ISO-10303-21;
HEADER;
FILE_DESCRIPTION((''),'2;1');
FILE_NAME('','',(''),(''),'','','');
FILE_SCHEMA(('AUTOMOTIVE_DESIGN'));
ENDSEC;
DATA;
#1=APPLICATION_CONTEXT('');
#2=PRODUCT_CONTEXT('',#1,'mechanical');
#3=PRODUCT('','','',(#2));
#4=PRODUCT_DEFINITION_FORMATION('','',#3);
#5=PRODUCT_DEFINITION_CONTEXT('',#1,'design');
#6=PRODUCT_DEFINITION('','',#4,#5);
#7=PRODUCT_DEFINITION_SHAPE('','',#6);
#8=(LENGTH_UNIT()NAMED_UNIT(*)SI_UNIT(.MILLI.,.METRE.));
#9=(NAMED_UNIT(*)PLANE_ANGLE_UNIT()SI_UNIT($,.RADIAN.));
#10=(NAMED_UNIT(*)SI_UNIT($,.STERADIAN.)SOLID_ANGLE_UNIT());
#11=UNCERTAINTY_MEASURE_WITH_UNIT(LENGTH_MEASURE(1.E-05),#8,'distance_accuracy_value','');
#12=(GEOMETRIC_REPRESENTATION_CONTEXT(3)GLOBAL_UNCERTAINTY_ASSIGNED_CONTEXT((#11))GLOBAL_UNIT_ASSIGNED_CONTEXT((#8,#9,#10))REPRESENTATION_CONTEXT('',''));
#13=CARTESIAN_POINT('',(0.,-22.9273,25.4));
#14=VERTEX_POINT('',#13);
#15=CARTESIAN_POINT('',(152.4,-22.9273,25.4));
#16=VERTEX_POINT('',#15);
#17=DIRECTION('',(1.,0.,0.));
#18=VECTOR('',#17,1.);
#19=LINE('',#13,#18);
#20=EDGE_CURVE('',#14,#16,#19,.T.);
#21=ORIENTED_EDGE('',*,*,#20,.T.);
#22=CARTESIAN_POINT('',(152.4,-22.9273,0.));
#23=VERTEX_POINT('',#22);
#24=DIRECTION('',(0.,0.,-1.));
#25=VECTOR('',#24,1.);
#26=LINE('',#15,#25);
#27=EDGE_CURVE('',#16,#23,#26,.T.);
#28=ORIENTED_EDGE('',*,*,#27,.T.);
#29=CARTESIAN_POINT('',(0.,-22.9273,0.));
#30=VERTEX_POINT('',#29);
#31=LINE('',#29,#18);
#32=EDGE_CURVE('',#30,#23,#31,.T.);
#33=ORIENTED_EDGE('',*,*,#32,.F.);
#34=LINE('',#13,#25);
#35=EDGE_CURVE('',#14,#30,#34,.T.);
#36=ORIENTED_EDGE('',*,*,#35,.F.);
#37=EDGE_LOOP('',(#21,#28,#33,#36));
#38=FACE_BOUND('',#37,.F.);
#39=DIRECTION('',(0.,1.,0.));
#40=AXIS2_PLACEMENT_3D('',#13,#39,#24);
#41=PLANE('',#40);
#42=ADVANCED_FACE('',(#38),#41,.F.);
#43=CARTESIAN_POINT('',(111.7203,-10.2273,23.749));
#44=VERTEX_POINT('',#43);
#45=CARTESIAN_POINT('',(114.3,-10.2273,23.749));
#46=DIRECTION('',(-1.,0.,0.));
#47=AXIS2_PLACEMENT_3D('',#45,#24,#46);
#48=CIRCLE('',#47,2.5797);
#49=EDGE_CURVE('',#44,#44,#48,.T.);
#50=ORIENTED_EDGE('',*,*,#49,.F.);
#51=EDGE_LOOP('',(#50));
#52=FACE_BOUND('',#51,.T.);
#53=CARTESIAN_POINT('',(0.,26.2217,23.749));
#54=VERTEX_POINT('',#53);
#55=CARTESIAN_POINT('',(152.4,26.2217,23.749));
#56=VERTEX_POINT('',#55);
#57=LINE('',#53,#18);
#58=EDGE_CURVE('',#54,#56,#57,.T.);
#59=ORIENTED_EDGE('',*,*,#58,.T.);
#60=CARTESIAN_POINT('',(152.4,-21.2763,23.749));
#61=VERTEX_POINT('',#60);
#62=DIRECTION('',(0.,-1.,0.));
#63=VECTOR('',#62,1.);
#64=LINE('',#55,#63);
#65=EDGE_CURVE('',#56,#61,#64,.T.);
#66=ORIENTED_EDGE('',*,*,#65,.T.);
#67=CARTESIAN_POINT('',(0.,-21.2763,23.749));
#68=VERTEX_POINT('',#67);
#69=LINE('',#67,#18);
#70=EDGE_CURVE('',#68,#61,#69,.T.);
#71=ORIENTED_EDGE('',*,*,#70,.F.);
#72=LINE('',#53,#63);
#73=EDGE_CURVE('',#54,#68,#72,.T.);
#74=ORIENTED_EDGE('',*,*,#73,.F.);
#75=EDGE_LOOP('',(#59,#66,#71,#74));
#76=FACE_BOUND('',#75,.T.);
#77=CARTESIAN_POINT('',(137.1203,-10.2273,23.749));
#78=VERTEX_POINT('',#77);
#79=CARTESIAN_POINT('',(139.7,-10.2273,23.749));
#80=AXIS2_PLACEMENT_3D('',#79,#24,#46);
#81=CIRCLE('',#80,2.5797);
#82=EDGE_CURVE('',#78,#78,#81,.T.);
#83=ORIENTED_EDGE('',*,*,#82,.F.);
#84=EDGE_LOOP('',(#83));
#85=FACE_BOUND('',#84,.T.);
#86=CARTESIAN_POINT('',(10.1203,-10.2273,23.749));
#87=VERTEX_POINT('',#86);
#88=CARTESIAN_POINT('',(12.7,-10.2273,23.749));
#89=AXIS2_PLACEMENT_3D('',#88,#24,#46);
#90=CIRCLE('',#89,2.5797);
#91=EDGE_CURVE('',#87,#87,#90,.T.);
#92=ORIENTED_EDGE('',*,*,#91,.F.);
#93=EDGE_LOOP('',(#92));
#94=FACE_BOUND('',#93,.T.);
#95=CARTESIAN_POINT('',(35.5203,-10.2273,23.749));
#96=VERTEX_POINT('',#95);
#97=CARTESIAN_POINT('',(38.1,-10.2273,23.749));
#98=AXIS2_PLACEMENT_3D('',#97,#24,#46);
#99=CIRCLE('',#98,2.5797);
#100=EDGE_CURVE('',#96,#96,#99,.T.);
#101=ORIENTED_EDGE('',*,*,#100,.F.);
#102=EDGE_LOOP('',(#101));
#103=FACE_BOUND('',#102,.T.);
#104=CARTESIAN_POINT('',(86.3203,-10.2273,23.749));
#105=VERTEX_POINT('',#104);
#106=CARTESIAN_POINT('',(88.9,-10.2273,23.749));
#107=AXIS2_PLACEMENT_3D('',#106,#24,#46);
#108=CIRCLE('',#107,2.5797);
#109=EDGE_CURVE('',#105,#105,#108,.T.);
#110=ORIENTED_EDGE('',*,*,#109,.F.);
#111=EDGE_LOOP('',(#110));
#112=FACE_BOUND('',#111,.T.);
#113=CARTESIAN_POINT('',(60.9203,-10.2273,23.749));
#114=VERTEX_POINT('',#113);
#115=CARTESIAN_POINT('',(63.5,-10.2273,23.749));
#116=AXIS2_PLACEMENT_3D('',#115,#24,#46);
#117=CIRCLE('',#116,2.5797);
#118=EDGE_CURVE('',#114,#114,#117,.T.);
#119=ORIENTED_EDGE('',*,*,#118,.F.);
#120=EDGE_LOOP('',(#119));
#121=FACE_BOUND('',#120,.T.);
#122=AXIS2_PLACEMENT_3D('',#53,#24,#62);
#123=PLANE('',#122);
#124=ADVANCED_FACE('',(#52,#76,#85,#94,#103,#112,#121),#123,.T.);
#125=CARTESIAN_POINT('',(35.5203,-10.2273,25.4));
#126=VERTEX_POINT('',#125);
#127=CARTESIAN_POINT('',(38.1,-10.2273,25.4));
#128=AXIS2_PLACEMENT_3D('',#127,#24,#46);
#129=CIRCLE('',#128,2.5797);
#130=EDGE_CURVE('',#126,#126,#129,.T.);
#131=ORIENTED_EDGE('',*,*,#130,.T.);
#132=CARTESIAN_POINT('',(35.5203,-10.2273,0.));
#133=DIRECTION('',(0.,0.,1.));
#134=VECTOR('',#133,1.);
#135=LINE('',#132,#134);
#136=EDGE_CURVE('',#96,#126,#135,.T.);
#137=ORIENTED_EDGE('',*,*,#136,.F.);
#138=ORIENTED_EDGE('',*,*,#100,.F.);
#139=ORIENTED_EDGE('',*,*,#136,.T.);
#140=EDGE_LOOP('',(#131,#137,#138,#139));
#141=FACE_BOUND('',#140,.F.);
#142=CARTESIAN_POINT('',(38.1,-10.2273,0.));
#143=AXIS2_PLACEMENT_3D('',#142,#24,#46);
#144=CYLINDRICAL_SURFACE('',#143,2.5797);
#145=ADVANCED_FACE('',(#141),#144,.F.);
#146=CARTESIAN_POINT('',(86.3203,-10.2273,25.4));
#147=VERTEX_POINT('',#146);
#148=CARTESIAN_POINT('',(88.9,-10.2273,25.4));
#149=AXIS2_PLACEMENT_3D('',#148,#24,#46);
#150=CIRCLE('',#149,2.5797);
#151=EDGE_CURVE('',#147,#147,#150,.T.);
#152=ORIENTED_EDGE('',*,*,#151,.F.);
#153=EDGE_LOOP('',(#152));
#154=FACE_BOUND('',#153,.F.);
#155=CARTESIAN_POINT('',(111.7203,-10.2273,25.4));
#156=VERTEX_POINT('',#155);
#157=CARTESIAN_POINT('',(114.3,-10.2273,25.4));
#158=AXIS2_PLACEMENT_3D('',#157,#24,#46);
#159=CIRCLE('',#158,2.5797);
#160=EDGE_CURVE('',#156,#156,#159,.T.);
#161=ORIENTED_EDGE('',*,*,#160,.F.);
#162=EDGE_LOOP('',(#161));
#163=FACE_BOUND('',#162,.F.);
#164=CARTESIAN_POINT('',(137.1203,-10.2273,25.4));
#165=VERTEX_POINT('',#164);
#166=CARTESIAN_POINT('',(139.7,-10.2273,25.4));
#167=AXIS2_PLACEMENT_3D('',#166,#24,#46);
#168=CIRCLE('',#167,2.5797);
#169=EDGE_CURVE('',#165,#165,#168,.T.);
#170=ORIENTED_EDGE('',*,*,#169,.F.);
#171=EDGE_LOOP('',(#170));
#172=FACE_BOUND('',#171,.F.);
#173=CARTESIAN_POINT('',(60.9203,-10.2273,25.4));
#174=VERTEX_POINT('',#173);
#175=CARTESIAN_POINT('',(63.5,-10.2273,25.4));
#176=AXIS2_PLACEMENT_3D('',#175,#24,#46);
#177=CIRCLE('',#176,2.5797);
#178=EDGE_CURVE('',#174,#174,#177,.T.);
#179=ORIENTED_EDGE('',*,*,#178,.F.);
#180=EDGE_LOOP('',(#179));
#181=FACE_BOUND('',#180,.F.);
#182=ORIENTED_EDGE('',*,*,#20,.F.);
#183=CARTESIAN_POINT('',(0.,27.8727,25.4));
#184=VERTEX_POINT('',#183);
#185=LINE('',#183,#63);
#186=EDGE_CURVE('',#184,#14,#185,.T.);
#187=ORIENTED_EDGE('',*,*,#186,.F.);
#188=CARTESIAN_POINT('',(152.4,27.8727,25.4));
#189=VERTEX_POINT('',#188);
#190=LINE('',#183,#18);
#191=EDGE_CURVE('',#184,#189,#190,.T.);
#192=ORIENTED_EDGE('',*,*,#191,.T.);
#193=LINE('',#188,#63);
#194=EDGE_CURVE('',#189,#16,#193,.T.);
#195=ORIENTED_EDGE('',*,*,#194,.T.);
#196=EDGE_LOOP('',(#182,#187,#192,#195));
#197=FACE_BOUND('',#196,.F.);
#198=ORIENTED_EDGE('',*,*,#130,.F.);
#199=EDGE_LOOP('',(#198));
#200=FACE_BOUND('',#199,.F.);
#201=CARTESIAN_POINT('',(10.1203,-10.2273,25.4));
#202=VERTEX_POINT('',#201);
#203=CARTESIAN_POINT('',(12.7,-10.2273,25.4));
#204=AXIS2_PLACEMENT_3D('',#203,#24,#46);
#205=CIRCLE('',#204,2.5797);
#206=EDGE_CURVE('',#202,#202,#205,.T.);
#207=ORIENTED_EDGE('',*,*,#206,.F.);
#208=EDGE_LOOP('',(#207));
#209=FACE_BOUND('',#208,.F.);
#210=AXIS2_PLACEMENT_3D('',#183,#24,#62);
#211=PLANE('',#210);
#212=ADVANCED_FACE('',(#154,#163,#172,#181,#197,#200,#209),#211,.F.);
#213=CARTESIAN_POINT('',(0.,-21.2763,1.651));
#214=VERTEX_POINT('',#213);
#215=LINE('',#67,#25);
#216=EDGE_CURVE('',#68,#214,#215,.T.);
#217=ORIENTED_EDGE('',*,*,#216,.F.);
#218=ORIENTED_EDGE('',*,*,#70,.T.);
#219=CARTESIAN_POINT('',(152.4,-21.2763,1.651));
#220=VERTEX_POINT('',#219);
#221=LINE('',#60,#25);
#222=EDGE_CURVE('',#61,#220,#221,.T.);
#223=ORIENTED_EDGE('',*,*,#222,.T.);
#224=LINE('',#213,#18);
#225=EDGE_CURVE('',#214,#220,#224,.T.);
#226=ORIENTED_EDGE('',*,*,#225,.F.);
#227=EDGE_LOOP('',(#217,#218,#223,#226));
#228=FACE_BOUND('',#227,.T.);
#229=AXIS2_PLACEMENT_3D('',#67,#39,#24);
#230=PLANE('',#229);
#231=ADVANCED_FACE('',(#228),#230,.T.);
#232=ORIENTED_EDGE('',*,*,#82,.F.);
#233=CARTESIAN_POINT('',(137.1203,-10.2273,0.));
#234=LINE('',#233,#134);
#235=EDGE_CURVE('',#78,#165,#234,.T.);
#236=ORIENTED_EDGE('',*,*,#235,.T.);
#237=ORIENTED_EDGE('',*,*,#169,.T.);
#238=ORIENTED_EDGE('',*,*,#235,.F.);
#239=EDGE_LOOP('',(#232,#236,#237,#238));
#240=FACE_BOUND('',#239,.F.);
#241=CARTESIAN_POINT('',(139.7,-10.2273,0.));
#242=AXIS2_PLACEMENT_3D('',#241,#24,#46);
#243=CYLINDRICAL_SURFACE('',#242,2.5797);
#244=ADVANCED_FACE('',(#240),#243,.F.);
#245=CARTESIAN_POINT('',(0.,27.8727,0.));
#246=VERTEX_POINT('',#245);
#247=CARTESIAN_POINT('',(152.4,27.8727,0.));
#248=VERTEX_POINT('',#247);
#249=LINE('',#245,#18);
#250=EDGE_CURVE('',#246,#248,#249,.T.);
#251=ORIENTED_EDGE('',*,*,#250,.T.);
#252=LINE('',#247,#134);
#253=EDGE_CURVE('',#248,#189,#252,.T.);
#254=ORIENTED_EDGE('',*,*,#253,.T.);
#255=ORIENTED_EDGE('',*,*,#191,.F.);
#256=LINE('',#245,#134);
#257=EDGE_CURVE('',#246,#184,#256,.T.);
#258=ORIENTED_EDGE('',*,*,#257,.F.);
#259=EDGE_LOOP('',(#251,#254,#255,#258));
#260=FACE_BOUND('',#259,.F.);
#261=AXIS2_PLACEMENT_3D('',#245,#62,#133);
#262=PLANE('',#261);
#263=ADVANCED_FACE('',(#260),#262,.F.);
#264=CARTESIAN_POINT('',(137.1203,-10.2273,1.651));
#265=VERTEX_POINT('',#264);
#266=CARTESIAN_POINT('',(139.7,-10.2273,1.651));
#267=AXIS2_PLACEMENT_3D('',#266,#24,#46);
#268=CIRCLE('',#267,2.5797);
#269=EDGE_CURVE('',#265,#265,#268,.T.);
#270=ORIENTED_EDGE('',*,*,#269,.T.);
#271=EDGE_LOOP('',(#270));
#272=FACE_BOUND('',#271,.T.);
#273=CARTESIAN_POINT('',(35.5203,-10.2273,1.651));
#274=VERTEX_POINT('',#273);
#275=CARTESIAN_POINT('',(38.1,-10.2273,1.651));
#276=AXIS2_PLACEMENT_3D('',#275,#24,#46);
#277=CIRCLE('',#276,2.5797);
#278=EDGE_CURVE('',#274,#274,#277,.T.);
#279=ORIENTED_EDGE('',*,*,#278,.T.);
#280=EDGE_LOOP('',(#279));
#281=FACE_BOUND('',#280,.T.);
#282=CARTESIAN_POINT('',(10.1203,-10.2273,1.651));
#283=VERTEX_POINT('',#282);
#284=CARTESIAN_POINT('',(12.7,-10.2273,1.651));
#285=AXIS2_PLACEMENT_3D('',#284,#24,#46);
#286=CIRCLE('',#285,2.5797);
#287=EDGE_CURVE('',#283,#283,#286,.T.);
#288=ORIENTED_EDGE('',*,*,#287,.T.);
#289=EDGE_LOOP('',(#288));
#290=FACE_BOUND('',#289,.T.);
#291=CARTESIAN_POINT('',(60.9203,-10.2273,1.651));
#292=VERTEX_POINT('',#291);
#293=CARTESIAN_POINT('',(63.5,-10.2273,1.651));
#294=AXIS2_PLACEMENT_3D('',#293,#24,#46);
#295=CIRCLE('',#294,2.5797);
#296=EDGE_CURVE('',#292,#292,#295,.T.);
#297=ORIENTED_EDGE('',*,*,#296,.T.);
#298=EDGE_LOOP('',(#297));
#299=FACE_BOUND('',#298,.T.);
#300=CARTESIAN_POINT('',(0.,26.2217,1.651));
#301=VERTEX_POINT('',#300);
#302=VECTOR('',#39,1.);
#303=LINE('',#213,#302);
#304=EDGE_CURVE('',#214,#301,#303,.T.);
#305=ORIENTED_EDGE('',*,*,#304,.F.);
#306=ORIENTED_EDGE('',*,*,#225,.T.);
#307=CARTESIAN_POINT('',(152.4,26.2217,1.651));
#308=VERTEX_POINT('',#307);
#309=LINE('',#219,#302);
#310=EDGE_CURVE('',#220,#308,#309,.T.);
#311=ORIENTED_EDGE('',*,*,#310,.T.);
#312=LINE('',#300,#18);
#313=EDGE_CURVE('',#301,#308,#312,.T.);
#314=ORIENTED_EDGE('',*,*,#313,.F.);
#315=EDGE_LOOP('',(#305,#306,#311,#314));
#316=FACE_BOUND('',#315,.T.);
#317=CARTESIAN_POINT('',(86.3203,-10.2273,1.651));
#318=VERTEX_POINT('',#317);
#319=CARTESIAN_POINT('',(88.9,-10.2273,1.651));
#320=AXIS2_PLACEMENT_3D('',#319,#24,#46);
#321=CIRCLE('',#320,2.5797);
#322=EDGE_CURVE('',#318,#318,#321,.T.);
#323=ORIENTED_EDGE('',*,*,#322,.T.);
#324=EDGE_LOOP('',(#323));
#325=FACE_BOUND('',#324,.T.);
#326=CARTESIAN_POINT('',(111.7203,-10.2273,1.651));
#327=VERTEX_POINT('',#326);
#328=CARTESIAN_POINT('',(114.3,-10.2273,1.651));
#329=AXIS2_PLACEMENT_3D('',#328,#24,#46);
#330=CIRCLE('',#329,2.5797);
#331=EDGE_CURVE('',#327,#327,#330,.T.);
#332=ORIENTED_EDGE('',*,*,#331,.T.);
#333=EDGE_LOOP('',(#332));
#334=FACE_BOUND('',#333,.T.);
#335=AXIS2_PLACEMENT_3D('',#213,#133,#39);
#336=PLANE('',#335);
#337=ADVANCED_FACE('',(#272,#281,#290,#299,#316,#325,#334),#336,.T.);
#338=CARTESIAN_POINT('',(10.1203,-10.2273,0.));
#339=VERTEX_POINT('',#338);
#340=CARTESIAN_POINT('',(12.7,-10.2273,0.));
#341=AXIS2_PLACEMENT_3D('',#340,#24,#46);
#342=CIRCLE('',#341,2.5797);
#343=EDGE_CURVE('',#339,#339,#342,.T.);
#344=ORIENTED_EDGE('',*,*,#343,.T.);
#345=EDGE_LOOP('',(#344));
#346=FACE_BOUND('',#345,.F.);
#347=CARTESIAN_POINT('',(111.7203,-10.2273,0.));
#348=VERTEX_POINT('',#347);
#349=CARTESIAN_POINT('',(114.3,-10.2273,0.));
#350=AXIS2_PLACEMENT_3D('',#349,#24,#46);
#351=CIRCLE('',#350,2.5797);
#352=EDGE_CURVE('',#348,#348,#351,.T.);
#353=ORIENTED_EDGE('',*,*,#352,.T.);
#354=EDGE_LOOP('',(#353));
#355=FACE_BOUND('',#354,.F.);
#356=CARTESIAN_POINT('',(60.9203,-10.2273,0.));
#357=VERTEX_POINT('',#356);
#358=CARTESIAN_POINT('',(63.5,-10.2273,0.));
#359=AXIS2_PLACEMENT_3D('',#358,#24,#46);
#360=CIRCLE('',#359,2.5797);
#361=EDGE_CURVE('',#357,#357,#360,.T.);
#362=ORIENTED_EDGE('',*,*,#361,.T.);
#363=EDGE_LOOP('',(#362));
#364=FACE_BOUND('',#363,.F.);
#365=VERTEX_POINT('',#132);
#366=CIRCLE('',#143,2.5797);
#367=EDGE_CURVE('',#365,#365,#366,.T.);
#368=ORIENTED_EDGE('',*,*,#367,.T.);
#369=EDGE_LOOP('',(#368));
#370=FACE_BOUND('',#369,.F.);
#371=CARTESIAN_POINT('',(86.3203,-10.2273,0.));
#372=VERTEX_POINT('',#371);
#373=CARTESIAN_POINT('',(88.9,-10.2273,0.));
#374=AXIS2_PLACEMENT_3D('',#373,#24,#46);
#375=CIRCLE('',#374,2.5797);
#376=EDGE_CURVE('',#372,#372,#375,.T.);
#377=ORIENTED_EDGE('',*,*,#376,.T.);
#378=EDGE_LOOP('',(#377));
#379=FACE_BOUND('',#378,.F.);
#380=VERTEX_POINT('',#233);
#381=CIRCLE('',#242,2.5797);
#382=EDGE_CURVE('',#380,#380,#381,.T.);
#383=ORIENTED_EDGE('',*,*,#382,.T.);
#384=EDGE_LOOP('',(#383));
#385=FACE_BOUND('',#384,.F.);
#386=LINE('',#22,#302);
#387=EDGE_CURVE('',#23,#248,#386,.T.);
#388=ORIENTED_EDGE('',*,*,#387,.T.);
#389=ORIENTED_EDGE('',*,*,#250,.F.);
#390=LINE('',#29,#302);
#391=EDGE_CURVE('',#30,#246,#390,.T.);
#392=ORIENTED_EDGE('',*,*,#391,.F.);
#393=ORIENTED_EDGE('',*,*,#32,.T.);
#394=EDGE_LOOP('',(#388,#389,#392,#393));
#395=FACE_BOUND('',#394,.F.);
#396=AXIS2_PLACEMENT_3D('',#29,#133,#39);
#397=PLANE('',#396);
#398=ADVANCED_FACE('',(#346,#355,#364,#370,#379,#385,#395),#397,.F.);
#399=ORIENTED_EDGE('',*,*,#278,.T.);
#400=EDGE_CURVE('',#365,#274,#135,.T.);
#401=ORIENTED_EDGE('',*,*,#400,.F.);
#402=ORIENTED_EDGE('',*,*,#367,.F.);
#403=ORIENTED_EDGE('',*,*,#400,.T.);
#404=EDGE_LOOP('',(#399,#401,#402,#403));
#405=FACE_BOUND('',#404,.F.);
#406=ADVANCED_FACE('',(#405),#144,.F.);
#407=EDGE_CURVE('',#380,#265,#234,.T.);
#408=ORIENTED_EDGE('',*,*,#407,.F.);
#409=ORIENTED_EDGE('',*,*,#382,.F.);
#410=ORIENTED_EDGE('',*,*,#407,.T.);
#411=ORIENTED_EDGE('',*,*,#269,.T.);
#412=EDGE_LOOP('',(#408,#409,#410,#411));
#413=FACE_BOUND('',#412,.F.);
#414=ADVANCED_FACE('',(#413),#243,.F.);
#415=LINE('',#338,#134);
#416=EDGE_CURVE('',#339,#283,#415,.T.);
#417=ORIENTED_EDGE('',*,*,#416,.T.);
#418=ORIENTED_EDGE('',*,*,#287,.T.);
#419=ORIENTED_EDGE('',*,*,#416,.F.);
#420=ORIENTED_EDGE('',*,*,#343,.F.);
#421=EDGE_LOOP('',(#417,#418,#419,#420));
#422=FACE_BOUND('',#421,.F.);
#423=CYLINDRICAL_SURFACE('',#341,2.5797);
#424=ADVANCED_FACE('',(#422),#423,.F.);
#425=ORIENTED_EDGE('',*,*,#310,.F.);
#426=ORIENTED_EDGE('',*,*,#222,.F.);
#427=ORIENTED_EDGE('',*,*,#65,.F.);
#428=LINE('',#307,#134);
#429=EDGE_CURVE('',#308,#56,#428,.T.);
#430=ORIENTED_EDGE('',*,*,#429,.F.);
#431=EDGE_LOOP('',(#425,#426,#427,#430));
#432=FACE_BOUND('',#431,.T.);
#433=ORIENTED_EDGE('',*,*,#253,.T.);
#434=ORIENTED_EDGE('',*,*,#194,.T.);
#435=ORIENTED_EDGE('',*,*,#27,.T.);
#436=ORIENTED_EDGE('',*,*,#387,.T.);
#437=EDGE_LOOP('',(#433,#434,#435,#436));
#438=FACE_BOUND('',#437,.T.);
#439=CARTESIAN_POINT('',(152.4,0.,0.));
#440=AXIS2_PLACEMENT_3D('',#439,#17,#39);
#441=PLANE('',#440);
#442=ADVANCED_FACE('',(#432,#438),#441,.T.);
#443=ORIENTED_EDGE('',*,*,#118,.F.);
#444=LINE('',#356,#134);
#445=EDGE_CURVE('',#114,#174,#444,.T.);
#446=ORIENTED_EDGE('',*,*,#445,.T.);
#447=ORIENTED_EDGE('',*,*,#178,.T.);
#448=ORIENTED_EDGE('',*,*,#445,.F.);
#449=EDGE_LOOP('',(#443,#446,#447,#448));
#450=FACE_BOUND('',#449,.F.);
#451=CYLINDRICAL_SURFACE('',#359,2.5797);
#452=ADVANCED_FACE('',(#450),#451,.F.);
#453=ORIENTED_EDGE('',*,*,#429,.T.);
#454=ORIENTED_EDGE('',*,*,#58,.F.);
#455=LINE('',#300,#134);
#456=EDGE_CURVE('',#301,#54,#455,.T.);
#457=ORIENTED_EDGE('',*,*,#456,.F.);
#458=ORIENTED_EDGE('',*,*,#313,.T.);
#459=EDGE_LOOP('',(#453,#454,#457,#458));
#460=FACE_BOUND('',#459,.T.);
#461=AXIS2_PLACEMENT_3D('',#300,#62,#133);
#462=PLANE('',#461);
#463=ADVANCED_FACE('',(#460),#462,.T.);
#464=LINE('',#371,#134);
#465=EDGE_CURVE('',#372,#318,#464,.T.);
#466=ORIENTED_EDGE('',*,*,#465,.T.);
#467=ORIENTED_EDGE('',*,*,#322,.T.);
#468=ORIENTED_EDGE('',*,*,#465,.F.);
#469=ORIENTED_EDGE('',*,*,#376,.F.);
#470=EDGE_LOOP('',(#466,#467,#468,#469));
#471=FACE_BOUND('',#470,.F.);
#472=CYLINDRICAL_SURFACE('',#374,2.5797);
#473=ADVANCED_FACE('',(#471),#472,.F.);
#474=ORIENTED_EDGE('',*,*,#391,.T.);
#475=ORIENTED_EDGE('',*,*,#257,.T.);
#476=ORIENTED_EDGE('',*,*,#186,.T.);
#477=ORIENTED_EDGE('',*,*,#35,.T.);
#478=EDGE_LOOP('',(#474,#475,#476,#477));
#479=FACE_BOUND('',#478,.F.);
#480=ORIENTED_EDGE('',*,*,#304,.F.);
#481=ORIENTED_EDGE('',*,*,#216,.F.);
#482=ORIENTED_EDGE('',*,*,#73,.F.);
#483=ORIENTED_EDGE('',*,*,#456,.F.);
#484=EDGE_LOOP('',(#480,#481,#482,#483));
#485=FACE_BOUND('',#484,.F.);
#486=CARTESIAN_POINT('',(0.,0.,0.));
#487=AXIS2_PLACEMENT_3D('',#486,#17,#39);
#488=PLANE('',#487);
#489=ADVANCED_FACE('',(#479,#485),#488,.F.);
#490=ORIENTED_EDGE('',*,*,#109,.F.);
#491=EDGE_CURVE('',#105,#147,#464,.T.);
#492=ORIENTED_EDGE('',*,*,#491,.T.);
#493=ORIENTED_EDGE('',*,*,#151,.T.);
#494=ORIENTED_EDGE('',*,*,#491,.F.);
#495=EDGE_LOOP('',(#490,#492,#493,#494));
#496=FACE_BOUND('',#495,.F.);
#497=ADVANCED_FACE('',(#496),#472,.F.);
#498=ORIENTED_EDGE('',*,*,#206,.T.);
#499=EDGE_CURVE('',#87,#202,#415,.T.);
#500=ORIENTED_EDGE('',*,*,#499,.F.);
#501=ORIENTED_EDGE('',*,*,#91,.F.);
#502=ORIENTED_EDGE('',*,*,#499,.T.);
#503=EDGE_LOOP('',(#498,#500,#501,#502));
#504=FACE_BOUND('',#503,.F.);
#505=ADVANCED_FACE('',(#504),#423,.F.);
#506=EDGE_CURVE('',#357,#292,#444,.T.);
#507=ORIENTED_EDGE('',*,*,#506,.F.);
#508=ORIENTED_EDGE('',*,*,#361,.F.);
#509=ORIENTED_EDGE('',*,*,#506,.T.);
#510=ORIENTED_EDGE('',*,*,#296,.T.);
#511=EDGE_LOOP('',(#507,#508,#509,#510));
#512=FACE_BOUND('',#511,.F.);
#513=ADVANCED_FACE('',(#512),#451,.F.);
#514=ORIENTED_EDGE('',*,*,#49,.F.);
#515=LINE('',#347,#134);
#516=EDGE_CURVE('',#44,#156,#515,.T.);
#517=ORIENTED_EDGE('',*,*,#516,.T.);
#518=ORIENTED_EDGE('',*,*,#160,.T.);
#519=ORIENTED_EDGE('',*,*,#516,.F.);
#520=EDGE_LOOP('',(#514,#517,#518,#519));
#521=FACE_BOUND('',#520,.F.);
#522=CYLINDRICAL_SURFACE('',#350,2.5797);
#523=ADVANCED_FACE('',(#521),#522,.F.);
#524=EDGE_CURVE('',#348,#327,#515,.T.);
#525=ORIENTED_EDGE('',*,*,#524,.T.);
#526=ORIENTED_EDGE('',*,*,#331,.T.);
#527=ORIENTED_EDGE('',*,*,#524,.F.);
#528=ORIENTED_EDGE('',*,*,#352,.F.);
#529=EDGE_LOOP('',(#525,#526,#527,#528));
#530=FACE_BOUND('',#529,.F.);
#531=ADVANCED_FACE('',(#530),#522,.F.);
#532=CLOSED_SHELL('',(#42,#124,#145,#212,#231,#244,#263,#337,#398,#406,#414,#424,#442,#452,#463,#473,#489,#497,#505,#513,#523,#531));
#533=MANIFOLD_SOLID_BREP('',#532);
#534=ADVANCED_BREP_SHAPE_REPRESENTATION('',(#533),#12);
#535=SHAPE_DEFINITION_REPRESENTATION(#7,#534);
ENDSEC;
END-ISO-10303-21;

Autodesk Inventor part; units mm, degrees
ref_plane "YZ Plane" through (0, 0, 0) normal (1, 0, 0) x (0, 1, 0)
ref_plane "XZ Plane" through (0, 0, 0) normal (0, 1, 0) x (-1, 0, 0)
ref_plane "XY Plane" through (0, 0, 0) normal (0, 0, 1) x (1, 0, 0)
sketch "Sketch1" plane through (0, 0, 0) normal (1, 0, 0) x (0, 1, 0)
  line L0 (-22.9273, 0) -> (27.8727, 0)
  line L1 (27.8727, 0) -> (27.8727, 25.4)
  line L2 (27.8727, 25.4) -> (-22.9273, 25.4)
  line L3 (-22.9273, 25.4) -> (-22.9273, 0)
  line L4 (26.2217, 23.749) -> (-21.2763, 23.749)
  line L5 (-21.2763, 23.749) -> (-21.2763, 1.651)
  line L6 (-21.2763, 1.651) -> (26.2217, 1.651)
  line L7 (26.2217, 1.651) -> (26.2217, 23.749)
  point P0 (0, 0)
  dimension "d0" = 25.4
  dimension "d1" = 50.8
  dimension "d2" = 1.651
  dimension "d3" = 1.651
  dimension "d4" = 1.651
  dimension "d5" = 1.651
extrude "Extrusion1" add sketch "Sketch1" along normal blind 152.4
sketch "Sketch2" plane through (0, -22.9273, 0) normal (0, 0, -1) x (-1, 0, 0)
  circle A0 centre (-63.5, 12.7) radius 2.5797
  circle A1 centre (-88.9, 12.7) radius 2.5797
  circle A2 centre (-38.1, 12.7) radius 2.5797
  circle A3 centre (-12.7, 12.7) radius 2.5797
  circle A4 centre (-114.3, 12.7) radius 2.5797
  circle A5 centre (-139.7, 12.7) radius 2.5797
  line L0 (0, 0) -> (0, 50.8) projected
  line L1 (-152.4, 0) -> (-152.4, 50.8) projected
  line L2 (0, 0) -> (-152.4, 0) projected
  point P0 (0, 22.9273)
  dimension "d8" = 5.1594
  dimension "d9" = 5.1594
  dimension "d13" = 5.1594
  dimension "d14" = 5.1594
  dimension "d15" = 5.1594
  dimension "d16" = 5.1594
  dimension "d17" = 25.4
  dimension "d18" = 12.7
  dimension "d20" = 88.9
  dimension "d21" = 12.7
  dimension "d22" = 12.7
  dimension "d23" = 63.5
  dimension "d24" = 25.4
  dimension "d25" = 12.7
  dimension "d26" = 12.7
  dimension "d27" = 12.7
  dimension "d28" = 12.7
  dimension "d29" = 12.7
extrude "Extrusion2" cut sketch "Sketch2" against normal blind 25.4
equation "\"d3\" = d2"
equation "\"d4\" = d2"
equation "\"d5\" = d2"
equation "\"d9\" = d8"
equation "\"d13\" = d8"
equation "\"d14\" = d8"
equation "\"d15\" = d8"
equation "\"d16\" = d8"
equation "\"d22\" = d21"
equation "\"d26\" = d21"
equation "\"d27\" = d21"
equation "\"d28\" = d21"
equation "\"d29\" = d21"
properties part number "Mounting part"
